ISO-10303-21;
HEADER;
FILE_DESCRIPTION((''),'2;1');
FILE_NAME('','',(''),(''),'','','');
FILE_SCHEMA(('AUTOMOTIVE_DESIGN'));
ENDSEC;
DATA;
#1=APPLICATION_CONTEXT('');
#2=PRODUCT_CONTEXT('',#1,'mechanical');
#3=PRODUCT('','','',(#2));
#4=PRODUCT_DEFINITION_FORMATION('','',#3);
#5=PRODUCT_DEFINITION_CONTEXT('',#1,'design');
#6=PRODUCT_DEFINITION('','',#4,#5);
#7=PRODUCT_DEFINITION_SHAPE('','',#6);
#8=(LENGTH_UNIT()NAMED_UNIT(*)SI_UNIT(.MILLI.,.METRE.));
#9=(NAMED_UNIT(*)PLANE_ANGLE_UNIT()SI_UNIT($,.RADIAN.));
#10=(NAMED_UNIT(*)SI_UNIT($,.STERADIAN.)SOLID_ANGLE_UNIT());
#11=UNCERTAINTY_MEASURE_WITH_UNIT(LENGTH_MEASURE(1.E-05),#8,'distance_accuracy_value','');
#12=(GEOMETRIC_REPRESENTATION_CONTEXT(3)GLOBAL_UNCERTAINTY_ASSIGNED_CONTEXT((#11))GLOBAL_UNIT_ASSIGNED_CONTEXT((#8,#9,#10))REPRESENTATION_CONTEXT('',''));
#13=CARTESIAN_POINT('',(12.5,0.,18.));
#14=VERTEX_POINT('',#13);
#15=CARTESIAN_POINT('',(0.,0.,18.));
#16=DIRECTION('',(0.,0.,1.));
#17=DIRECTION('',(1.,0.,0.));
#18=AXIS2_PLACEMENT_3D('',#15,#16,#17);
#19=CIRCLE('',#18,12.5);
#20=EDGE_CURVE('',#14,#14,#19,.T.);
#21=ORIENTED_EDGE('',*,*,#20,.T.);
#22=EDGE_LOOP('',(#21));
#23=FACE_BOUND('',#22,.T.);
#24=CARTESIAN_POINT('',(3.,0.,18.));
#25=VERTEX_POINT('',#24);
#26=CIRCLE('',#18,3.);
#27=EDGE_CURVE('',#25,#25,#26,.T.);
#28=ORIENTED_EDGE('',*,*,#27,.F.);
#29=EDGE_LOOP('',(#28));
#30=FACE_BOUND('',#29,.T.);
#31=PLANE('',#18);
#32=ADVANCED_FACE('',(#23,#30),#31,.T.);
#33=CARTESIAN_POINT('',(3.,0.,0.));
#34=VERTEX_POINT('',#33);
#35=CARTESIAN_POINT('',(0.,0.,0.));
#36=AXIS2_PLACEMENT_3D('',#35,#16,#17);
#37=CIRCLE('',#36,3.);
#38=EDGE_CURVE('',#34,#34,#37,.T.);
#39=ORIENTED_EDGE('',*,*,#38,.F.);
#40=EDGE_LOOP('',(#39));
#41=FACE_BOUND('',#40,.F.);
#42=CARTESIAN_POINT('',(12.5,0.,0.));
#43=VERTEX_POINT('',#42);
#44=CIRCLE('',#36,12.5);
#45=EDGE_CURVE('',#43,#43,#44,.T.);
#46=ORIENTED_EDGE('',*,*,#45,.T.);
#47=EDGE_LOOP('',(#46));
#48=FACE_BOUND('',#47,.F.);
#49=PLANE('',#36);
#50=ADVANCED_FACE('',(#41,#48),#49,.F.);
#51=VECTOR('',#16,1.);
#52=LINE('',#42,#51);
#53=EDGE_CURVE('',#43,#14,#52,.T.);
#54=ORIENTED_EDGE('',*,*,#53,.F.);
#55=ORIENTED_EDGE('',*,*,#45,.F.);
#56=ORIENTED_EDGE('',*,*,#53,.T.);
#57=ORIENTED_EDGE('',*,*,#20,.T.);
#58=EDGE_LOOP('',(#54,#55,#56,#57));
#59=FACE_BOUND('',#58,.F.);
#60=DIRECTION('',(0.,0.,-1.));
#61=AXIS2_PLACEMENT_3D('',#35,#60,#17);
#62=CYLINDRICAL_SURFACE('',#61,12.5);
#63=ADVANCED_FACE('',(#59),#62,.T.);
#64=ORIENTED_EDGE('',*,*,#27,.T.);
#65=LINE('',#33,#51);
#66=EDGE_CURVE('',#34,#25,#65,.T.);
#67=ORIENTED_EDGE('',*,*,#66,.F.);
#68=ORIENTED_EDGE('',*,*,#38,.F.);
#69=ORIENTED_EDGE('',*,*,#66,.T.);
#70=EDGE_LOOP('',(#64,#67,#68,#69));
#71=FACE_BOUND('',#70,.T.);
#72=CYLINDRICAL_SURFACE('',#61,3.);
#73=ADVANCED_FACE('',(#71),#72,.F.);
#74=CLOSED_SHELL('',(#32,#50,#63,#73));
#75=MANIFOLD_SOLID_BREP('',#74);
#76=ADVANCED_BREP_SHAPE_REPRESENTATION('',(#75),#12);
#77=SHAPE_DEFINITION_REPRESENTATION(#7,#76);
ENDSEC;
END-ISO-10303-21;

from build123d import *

# Parameters (mm, degrees)
CYLINDER001_R     = 3
CYLINDER001_DEPTH = 18
CYLINDER_R        = 12.5
CYLINDER_DEPTH    = 18


with BuildPart() as cylinder001:
    # Cylinder001 → Cylinder001 (new body)
    with BuildSketch(Plane.XY):
        Circle(CYLINDER001_R)
    extrude(amount=CYLINDER001_DEPTH)


with BuildPart() as hole_drill:
    # Cylinder → Cylinder (new body)
    with BuildSketch(Plane.XY):
        Circle(CYLINDER_R)
    extrude(amount=CYLINDER_DEPTH)

    # Cut: cut Cylinder001
    add(cylinder001.part, mode=Mode.SUBTRACT)


solid = hole_drill.part
